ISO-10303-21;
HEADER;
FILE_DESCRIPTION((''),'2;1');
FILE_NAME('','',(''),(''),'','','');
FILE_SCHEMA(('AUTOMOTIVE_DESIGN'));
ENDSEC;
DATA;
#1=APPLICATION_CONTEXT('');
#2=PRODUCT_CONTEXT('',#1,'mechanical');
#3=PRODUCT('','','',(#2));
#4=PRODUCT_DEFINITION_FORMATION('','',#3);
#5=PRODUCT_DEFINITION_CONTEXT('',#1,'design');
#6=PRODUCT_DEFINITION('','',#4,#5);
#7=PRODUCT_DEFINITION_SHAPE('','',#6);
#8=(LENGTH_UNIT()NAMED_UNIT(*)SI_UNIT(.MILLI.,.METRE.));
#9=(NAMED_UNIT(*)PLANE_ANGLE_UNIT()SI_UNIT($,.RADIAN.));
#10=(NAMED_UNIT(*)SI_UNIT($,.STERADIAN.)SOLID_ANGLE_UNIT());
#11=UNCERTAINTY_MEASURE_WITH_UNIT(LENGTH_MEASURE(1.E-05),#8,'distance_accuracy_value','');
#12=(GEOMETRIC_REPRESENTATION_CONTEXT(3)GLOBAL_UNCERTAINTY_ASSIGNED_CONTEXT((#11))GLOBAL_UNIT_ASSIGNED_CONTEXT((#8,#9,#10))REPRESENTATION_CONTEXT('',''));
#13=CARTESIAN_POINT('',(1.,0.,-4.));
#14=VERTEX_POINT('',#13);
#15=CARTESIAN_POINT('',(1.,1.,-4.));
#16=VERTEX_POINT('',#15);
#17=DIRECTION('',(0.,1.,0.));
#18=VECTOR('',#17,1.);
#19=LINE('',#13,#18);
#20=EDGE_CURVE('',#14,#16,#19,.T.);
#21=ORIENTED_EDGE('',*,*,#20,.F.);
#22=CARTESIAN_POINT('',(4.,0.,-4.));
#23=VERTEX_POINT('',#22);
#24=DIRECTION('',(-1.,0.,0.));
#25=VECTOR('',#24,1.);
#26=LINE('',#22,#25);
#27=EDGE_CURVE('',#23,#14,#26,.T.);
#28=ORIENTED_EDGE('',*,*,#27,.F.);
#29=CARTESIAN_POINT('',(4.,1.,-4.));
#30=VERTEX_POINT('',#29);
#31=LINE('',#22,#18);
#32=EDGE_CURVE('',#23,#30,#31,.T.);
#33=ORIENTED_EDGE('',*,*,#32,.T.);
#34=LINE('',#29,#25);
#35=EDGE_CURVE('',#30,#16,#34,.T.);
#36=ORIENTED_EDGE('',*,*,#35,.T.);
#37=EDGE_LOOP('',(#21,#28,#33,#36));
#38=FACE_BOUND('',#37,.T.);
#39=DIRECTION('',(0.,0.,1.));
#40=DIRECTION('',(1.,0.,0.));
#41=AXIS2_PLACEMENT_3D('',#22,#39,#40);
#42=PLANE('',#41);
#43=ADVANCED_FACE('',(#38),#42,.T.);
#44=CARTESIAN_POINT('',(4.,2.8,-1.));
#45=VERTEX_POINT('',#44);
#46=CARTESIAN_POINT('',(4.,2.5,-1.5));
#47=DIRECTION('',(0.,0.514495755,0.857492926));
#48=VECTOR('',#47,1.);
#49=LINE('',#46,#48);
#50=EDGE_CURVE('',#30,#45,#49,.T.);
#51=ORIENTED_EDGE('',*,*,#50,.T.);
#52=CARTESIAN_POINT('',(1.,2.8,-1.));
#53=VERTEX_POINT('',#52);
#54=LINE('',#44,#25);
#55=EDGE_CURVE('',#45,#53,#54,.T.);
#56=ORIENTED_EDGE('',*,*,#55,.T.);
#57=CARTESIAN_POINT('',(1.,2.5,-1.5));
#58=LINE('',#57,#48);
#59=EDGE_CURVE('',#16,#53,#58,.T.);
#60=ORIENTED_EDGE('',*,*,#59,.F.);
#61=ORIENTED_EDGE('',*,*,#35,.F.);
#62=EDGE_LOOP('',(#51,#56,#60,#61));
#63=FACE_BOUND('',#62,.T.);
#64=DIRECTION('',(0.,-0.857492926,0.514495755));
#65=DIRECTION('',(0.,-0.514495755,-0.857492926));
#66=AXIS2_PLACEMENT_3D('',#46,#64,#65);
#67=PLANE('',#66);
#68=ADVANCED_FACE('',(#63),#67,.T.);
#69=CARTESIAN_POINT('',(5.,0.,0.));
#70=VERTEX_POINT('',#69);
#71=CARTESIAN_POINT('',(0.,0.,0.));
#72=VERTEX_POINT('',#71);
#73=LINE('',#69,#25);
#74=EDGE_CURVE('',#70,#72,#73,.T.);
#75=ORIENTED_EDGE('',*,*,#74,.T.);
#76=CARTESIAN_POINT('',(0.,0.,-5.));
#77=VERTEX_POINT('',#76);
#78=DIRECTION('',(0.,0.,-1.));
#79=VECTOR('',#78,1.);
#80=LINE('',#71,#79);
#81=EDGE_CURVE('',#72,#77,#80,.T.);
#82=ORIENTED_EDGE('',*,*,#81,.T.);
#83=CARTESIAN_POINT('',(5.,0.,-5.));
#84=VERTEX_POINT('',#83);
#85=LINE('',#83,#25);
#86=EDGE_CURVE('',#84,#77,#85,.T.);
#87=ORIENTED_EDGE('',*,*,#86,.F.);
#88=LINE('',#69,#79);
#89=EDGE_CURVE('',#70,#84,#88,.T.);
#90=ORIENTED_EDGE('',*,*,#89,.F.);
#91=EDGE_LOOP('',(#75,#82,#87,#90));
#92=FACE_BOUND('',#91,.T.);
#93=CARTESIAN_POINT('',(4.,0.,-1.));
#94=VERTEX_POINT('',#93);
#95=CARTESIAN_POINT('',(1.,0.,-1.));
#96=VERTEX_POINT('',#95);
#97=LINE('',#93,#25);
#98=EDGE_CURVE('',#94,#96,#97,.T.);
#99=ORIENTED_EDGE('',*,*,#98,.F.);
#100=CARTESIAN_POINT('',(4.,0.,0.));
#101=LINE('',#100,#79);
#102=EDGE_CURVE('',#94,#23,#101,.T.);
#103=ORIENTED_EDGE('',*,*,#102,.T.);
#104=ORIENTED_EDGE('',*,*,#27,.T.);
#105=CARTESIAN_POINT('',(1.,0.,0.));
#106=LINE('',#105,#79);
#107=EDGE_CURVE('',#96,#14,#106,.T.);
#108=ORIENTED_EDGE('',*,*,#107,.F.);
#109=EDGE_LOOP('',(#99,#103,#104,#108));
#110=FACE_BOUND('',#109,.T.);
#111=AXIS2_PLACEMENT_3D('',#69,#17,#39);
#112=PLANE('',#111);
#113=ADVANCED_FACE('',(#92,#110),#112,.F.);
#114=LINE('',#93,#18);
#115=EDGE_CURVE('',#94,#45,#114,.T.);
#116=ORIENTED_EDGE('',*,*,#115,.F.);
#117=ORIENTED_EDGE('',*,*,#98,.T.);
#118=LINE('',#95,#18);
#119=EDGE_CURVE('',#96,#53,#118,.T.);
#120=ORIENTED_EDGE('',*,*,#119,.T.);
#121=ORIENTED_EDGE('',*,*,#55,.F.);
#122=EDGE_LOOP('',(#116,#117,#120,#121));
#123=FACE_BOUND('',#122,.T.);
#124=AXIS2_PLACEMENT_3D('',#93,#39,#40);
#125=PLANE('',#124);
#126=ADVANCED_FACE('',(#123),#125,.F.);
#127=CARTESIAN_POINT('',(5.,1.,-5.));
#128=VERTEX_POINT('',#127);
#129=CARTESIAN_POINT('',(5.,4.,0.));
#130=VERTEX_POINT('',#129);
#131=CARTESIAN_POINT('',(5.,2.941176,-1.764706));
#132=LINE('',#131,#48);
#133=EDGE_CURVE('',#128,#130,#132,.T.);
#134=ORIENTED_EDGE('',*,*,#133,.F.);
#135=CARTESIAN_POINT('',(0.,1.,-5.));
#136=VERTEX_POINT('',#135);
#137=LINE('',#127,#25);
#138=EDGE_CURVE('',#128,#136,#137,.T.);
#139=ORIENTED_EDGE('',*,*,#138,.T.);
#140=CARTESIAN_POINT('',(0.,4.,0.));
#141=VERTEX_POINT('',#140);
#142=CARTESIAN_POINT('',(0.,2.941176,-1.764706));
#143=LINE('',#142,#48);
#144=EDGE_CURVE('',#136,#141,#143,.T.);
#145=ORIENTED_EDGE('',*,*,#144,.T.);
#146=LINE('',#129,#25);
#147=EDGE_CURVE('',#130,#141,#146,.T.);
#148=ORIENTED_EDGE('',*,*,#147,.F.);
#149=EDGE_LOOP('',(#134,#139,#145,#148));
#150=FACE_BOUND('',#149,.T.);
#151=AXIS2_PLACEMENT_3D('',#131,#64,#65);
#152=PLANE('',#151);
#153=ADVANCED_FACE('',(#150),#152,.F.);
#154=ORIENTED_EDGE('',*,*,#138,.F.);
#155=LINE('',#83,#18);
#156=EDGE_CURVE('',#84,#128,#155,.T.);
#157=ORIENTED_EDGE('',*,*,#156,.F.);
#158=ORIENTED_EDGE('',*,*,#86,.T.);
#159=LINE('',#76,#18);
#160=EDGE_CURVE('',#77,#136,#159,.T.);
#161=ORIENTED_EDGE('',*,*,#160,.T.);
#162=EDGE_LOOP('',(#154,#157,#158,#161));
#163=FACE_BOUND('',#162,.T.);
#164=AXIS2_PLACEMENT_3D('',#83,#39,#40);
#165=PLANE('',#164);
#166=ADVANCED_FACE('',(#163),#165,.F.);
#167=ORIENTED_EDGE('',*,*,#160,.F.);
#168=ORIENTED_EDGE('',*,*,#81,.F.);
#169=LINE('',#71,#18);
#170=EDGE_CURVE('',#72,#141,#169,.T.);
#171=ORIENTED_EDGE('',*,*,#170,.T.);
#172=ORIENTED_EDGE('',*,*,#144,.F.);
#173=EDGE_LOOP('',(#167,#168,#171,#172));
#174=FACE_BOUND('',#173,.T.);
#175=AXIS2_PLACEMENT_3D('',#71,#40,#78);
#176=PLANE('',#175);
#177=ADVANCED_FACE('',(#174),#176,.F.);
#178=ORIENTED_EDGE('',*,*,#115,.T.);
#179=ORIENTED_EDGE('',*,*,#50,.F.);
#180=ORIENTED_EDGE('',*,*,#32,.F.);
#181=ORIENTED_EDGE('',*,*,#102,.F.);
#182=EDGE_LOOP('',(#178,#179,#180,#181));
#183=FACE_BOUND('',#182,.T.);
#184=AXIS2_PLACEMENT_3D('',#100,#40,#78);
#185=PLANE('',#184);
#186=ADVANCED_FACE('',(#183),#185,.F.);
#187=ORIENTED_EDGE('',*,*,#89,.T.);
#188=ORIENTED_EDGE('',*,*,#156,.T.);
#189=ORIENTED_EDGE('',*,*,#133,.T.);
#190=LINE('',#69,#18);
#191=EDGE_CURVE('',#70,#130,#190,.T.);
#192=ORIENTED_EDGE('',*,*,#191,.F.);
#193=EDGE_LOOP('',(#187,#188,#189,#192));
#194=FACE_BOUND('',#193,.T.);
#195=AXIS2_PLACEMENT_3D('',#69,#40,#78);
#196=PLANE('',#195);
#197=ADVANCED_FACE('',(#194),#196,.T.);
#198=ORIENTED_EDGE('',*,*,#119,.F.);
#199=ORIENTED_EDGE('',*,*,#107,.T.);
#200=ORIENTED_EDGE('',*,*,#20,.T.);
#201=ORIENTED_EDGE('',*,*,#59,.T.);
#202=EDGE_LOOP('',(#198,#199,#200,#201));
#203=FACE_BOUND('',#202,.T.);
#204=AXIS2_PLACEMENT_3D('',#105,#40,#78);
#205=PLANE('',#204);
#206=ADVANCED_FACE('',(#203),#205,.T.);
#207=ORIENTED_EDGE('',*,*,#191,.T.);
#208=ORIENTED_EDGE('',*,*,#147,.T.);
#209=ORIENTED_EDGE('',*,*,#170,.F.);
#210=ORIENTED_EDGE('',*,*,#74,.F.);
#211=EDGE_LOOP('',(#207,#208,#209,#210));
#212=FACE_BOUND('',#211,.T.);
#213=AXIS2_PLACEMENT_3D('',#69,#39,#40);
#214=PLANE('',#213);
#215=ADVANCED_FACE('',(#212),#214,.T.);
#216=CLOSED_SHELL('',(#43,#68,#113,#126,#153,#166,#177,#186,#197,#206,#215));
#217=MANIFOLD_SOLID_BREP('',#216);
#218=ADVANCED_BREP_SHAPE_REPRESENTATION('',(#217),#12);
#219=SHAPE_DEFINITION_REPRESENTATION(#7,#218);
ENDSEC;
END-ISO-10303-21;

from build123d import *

# Parameters (mm, degrees)
BOSS_EXTRUDE1_DEPTH = 5
CUT_EXTRUDE1_DEPTH  = 4
BOSS_EXTRUDE2_DEPTH = 1


with BuildPart() as part:
    # Sketch3 → Boss-Extrude1 (new body)
    with BuildSketch(Plane(origin=(0, 0, 0), x_dir=(0, 0, -1), z_dir=(1, 0, 0))):
        Polygon((5, 0), (5, 1), (0, 4), (0, 0), align=None)
    extrude(amount=BOSS_EXTRUDE1_DEPTH)

    # Sketch3<3> → Cut-Extrude1 (cut)
    with BuildSketch(Plane(origin=(0, 0, 0), x_dir=(0, 0, -1), z_dir=(1, 0, 0))):
        Polygon((1, 0), (4, 0), (4, 1), (1, 2.8), align=None)
    extrude(amount=CUT_EXTRUDE1_DEPTH, mode=Mode.SUBTRACT)

    # Sketch3<4> → Boss-Extrude2 (add)
    with BuildSketch(Plane(origin=(0, 0, 0), x_dir=(0, 0, -1), z_dir=(1, 0, 0))):
        Polygon((1, 0), (4, 0), (4, 1), (1, 2.8), align=None)
    extrude(amount=BOSS_EXTRUDE2_DEPTH)


solid = part.part
